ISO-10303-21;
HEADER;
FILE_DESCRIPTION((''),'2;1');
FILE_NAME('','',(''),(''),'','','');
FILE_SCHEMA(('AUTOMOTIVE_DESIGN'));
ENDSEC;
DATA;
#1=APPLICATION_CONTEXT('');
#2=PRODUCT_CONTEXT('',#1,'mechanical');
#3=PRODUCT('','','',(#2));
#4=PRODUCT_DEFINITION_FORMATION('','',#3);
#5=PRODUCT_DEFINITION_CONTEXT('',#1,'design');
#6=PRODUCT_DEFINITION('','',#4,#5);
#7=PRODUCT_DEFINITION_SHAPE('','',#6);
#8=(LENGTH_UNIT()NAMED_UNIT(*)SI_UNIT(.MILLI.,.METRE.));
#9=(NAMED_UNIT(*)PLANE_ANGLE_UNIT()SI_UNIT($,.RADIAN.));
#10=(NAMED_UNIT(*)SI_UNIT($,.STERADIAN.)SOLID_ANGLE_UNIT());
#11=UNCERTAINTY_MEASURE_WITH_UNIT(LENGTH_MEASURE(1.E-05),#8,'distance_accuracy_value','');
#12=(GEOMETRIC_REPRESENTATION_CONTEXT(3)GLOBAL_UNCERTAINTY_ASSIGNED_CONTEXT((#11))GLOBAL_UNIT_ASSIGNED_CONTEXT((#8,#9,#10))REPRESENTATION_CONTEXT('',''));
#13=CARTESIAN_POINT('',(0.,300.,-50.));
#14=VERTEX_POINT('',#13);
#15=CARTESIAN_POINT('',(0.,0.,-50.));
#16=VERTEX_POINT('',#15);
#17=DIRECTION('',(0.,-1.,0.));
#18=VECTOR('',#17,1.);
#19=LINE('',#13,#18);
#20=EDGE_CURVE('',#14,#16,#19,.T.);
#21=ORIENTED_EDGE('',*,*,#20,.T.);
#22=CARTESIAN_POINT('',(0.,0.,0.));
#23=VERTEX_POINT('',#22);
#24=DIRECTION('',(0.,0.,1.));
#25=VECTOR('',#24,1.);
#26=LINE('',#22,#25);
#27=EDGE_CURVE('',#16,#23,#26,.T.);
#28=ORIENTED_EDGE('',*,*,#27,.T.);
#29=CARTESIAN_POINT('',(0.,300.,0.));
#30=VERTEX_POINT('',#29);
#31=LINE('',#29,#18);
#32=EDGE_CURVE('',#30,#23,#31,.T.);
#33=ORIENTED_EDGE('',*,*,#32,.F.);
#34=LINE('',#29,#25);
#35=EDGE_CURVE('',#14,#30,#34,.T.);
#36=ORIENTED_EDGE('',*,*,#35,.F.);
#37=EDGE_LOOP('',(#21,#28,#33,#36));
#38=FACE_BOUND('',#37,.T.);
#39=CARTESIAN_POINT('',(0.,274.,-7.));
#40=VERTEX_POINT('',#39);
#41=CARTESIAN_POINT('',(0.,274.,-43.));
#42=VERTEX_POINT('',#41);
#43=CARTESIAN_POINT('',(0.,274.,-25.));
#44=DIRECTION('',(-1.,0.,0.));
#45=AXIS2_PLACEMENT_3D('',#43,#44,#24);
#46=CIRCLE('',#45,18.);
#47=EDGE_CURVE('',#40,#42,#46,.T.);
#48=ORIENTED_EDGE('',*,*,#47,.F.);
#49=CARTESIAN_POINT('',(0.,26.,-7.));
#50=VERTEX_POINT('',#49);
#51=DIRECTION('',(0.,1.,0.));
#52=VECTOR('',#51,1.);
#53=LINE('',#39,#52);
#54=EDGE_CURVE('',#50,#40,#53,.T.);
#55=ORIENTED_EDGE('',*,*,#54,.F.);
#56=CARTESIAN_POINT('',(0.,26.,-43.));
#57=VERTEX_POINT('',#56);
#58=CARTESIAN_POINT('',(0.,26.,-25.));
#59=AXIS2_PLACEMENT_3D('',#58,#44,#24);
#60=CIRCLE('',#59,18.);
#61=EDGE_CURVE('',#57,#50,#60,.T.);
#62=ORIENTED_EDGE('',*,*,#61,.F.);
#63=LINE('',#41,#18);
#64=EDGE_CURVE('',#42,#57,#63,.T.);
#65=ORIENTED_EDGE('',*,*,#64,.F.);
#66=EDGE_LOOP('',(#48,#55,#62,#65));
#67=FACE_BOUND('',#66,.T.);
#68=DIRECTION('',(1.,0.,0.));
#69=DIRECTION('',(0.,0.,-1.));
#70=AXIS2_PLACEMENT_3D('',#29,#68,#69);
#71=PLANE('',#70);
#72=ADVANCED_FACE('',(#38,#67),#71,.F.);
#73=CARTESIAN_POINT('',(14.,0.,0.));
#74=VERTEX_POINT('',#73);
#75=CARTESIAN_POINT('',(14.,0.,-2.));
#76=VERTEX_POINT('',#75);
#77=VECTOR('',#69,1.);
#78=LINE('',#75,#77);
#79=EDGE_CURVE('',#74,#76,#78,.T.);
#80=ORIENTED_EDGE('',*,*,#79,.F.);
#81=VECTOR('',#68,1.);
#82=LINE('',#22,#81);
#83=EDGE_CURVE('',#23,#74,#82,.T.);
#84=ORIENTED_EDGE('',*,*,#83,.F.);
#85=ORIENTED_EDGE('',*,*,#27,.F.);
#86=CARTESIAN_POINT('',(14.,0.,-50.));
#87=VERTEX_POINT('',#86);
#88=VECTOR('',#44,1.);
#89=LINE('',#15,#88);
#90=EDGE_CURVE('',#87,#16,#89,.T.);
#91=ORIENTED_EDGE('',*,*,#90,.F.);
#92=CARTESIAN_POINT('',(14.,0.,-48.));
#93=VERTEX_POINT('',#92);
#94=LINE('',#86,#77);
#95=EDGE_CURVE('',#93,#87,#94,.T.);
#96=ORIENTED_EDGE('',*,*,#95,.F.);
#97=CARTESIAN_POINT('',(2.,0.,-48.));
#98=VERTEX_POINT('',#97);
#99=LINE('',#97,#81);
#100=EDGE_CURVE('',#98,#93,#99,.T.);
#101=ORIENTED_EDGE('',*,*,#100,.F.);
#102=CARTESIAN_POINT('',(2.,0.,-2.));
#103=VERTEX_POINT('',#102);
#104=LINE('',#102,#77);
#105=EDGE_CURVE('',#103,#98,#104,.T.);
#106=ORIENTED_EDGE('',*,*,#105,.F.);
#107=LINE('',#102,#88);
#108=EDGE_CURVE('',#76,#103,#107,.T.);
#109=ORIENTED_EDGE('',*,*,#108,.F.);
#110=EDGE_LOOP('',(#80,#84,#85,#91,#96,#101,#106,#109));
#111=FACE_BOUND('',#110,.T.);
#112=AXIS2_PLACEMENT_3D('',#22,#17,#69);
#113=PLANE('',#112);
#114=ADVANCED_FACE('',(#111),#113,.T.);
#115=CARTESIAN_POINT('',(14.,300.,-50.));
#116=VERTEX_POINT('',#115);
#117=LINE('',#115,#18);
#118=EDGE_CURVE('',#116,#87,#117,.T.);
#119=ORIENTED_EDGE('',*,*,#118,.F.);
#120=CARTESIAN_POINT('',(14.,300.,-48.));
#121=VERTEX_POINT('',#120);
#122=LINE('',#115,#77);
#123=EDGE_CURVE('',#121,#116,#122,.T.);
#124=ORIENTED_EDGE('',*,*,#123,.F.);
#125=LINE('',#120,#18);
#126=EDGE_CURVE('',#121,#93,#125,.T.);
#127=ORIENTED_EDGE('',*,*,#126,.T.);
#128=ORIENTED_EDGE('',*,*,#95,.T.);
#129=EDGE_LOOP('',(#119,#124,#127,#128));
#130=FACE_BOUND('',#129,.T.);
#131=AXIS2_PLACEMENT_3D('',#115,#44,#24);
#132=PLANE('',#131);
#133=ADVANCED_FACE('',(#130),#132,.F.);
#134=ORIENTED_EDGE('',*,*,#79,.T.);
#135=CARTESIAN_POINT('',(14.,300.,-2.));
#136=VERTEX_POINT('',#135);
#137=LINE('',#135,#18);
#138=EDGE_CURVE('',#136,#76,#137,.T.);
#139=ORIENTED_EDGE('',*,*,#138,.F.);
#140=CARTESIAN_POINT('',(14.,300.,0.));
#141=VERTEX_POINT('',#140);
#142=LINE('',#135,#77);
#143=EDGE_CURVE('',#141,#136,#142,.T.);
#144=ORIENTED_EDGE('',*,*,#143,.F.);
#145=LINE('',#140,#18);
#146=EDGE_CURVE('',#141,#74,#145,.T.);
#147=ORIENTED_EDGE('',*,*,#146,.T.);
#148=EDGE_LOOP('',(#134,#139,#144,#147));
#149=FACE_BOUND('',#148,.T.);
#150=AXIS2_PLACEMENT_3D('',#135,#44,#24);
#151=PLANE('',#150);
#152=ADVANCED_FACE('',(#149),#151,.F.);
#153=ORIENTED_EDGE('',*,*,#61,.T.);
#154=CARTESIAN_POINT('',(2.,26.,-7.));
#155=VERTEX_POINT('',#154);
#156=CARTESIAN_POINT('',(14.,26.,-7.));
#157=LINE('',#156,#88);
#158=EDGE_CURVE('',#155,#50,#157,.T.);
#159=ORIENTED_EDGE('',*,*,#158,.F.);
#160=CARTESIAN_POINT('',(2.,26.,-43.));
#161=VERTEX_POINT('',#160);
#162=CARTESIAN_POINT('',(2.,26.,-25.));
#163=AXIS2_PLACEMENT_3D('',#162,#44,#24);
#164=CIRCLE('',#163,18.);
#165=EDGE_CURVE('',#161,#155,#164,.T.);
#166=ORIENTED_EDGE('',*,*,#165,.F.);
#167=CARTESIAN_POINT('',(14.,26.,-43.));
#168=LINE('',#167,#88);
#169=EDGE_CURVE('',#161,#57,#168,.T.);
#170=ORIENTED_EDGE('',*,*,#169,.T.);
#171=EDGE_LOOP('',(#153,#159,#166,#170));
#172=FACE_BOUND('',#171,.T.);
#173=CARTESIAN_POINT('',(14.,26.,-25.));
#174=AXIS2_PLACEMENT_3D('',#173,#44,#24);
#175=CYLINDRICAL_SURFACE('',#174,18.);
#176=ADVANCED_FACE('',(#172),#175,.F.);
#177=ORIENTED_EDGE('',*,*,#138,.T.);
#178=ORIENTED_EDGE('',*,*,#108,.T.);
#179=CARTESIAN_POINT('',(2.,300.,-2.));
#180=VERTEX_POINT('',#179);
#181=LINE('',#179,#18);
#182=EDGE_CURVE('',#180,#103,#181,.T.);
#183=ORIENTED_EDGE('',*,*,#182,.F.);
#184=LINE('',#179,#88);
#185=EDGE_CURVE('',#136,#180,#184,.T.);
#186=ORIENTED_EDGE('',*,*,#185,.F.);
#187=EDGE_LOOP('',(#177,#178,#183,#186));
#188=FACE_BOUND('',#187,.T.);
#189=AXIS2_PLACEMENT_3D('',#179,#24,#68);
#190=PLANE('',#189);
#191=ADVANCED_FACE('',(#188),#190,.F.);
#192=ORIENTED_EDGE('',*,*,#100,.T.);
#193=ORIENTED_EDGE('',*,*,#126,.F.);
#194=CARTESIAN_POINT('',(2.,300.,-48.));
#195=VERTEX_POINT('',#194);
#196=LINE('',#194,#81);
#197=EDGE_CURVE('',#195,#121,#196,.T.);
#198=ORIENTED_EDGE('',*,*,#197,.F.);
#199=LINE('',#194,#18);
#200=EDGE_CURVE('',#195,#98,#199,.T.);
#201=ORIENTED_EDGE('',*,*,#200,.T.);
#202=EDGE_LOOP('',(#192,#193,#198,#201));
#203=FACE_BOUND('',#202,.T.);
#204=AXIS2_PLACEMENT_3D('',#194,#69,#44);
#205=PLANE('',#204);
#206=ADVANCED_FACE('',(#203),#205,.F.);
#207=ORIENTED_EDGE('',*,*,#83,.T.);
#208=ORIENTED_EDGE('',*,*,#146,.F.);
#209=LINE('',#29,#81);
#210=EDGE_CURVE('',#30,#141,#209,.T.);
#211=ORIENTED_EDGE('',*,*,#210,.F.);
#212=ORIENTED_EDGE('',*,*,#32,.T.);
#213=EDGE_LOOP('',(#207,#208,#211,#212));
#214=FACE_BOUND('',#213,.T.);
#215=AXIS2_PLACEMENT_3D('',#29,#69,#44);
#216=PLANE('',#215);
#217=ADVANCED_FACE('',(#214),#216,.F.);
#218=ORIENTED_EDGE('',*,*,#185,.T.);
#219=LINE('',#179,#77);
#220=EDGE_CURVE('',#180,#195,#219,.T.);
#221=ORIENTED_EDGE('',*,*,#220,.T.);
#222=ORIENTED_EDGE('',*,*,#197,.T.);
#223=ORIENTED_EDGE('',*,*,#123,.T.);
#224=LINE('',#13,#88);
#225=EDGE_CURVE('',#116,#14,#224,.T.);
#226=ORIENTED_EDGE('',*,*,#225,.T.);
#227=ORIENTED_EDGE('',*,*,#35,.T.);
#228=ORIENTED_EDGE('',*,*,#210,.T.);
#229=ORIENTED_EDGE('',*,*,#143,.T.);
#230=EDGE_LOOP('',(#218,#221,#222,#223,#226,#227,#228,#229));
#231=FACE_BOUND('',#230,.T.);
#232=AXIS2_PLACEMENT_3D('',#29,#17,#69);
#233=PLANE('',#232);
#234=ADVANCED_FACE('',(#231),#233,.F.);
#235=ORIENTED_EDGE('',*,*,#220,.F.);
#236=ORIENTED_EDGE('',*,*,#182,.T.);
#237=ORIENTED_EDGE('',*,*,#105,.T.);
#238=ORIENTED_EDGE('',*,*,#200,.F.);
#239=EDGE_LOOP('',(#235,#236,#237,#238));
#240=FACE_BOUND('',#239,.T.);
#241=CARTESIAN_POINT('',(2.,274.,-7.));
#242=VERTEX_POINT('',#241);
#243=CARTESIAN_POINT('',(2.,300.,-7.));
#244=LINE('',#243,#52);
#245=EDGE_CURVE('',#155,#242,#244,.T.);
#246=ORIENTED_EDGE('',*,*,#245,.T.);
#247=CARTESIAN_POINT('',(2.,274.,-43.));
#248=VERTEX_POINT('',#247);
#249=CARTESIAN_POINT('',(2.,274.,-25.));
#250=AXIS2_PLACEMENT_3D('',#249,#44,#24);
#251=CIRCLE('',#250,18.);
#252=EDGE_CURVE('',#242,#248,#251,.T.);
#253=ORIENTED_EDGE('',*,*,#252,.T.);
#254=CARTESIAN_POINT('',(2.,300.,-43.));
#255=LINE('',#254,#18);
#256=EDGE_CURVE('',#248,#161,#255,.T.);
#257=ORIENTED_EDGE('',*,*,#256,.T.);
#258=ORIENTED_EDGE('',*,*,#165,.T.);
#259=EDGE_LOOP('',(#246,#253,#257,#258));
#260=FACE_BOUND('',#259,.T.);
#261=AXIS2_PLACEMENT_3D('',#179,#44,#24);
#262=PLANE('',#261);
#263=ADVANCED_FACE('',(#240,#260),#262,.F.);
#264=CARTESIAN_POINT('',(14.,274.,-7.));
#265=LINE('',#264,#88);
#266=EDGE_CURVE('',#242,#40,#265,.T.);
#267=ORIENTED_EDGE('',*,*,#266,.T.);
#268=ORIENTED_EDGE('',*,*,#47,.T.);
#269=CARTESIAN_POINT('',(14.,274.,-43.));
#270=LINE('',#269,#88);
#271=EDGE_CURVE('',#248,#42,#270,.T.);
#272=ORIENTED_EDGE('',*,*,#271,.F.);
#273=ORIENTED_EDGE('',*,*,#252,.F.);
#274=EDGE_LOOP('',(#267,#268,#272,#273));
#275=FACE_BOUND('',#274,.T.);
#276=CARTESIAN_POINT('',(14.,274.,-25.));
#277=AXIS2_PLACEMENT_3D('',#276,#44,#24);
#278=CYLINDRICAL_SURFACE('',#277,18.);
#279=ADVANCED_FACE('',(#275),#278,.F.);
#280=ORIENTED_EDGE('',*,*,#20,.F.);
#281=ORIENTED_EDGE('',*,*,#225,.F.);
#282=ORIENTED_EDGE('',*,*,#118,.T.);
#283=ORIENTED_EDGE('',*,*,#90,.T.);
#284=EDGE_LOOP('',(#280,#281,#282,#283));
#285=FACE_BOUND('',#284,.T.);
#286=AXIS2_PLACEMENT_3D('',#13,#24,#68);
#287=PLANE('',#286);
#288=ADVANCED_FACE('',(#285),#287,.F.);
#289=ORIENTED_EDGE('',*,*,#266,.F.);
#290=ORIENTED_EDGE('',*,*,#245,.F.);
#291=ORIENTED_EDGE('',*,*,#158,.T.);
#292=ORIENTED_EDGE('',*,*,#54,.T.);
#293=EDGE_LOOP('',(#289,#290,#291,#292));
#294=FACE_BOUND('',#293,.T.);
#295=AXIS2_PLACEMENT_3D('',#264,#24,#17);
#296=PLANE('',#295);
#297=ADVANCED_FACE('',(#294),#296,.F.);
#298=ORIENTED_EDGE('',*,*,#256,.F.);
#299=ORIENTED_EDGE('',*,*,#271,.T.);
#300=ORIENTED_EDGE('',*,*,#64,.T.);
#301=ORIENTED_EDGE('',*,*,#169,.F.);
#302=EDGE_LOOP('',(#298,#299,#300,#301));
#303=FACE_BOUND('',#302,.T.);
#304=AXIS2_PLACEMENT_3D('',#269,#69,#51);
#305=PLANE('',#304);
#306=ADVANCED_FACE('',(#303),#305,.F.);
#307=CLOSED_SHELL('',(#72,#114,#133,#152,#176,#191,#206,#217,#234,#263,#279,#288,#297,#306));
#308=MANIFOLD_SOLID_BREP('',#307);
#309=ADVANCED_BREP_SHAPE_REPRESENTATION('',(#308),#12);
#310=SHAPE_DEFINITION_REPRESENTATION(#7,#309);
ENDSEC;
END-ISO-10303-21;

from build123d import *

# Parameters (mm, degrees)
EXTRUDE_1_DEPTH     = 300
CUT_EXTRUDE_1_DEPTH = 305.46017802


with BuildPart() as part:
    # 草图1 → 凸台-拉伸1 (new body)
    with BuildSketch(Plane(origin=(0, 0, 0), x_dir=(1, 0, 0), z_dir=(0, 1, 0))):
        Polygon((0, 0), (0, 50), (14, 50), (14, 48), (2, 48), (2, 2), (14, 2), (14, 0), align=None)
    extrude(amount=EXTRUDE_1_DEPTH)

    # 草图2 → 切除-拉伸1 (cut, through all)
    with BuildSketch(Plane.ZY):
        with BuildLine():
            Line((-7, 274), (-7, 26))
            ThreePointArc((-7, 26), (-25, 8), (-43, 26))
            Line((-43, 26), (-43, 274))
            ThreePointArc((-43, 274), (-25, 292), (-7, 274))
        make_face()
    extrude(amount=-CUT_EXTRUDE_1_DEPTH, mode=Mode.SUBTRACT)


solid = part.part
